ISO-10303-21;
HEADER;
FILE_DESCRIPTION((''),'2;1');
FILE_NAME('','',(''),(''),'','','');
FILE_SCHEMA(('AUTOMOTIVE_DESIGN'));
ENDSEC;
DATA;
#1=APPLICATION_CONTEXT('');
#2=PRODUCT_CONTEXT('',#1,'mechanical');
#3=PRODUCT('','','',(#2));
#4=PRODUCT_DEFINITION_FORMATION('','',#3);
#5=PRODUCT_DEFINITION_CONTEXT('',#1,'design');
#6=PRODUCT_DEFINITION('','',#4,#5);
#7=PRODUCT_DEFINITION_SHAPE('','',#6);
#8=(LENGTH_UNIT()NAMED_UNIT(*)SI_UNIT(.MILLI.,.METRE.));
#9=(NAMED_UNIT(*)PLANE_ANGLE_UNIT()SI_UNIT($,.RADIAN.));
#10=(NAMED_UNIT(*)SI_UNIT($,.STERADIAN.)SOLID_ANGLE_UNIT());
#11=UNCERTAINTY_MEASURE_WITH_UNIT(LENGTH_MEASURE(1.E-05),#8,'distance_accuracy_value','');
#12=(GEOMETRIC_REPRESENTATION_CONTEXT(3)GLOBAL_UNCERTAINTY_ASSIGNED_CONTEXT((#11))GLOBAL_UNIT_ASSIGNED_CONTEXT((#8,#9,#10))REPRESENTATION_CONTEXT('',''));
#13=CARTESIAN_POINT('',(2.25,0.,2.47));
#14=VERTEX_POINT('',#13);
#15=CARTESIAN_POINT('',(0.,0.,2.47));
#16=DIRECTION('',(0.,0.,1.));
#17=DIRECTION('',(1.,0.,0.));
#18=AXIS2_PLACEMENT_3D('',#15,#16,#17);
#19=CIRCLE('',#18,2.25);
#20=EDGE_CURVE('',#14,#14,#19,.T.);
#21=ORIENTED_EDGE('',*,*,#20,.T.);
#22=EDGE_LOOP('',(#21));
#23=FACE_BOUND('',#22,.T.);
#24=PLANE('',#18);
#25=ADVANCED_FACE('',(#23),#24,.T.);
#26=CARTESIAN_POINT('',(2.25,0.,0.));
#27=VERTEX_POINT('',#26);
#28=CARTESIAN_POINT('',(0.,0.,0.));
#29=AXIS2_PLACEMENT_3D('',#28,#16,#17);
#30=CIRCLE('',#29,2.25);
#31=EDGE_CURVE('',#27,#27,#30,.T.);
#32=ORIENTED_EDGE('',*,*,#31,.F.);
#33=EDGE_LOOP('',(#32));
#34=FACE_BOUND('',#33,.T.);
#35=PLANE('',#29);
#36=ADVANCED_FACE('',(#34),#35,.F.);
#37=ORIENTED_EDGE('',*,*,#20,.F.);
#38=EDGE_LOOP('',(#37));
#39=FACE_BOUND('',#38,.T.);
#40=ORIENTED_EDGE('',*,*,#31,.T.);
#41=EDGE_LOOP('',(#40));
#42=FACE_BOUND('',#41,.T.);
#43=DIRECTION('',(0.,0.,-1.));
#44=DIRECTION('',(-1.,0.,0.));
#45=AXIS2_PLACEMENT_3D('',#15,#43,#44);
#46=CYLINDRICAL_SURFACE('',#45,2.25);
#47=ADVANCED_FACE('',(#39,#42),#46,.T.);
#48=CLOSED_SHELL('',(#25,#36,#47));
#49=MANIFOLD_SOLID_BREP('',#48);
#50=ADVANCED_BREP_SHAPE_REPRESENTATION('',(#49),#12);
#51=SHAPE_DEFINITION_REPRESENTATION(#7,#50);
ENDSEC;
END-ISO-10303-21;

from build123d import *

# Parameters (mm, degrees)
IZIM1_R                     = 2.25
Y_KSEKLIK_EKSTR_ZYON1_DEPTH = 2.47


with BuildPart() as part:
    # Çizim1 → Yükseklik-Ekstrüzyon1 (new body)
    with BuildSketch(Plane.XY):
        Circle(IZIM1_R)
    extrude(amount=Y_KSEKLIK_EKSTR_ZYON1_DEPTH)


solid = part.part
